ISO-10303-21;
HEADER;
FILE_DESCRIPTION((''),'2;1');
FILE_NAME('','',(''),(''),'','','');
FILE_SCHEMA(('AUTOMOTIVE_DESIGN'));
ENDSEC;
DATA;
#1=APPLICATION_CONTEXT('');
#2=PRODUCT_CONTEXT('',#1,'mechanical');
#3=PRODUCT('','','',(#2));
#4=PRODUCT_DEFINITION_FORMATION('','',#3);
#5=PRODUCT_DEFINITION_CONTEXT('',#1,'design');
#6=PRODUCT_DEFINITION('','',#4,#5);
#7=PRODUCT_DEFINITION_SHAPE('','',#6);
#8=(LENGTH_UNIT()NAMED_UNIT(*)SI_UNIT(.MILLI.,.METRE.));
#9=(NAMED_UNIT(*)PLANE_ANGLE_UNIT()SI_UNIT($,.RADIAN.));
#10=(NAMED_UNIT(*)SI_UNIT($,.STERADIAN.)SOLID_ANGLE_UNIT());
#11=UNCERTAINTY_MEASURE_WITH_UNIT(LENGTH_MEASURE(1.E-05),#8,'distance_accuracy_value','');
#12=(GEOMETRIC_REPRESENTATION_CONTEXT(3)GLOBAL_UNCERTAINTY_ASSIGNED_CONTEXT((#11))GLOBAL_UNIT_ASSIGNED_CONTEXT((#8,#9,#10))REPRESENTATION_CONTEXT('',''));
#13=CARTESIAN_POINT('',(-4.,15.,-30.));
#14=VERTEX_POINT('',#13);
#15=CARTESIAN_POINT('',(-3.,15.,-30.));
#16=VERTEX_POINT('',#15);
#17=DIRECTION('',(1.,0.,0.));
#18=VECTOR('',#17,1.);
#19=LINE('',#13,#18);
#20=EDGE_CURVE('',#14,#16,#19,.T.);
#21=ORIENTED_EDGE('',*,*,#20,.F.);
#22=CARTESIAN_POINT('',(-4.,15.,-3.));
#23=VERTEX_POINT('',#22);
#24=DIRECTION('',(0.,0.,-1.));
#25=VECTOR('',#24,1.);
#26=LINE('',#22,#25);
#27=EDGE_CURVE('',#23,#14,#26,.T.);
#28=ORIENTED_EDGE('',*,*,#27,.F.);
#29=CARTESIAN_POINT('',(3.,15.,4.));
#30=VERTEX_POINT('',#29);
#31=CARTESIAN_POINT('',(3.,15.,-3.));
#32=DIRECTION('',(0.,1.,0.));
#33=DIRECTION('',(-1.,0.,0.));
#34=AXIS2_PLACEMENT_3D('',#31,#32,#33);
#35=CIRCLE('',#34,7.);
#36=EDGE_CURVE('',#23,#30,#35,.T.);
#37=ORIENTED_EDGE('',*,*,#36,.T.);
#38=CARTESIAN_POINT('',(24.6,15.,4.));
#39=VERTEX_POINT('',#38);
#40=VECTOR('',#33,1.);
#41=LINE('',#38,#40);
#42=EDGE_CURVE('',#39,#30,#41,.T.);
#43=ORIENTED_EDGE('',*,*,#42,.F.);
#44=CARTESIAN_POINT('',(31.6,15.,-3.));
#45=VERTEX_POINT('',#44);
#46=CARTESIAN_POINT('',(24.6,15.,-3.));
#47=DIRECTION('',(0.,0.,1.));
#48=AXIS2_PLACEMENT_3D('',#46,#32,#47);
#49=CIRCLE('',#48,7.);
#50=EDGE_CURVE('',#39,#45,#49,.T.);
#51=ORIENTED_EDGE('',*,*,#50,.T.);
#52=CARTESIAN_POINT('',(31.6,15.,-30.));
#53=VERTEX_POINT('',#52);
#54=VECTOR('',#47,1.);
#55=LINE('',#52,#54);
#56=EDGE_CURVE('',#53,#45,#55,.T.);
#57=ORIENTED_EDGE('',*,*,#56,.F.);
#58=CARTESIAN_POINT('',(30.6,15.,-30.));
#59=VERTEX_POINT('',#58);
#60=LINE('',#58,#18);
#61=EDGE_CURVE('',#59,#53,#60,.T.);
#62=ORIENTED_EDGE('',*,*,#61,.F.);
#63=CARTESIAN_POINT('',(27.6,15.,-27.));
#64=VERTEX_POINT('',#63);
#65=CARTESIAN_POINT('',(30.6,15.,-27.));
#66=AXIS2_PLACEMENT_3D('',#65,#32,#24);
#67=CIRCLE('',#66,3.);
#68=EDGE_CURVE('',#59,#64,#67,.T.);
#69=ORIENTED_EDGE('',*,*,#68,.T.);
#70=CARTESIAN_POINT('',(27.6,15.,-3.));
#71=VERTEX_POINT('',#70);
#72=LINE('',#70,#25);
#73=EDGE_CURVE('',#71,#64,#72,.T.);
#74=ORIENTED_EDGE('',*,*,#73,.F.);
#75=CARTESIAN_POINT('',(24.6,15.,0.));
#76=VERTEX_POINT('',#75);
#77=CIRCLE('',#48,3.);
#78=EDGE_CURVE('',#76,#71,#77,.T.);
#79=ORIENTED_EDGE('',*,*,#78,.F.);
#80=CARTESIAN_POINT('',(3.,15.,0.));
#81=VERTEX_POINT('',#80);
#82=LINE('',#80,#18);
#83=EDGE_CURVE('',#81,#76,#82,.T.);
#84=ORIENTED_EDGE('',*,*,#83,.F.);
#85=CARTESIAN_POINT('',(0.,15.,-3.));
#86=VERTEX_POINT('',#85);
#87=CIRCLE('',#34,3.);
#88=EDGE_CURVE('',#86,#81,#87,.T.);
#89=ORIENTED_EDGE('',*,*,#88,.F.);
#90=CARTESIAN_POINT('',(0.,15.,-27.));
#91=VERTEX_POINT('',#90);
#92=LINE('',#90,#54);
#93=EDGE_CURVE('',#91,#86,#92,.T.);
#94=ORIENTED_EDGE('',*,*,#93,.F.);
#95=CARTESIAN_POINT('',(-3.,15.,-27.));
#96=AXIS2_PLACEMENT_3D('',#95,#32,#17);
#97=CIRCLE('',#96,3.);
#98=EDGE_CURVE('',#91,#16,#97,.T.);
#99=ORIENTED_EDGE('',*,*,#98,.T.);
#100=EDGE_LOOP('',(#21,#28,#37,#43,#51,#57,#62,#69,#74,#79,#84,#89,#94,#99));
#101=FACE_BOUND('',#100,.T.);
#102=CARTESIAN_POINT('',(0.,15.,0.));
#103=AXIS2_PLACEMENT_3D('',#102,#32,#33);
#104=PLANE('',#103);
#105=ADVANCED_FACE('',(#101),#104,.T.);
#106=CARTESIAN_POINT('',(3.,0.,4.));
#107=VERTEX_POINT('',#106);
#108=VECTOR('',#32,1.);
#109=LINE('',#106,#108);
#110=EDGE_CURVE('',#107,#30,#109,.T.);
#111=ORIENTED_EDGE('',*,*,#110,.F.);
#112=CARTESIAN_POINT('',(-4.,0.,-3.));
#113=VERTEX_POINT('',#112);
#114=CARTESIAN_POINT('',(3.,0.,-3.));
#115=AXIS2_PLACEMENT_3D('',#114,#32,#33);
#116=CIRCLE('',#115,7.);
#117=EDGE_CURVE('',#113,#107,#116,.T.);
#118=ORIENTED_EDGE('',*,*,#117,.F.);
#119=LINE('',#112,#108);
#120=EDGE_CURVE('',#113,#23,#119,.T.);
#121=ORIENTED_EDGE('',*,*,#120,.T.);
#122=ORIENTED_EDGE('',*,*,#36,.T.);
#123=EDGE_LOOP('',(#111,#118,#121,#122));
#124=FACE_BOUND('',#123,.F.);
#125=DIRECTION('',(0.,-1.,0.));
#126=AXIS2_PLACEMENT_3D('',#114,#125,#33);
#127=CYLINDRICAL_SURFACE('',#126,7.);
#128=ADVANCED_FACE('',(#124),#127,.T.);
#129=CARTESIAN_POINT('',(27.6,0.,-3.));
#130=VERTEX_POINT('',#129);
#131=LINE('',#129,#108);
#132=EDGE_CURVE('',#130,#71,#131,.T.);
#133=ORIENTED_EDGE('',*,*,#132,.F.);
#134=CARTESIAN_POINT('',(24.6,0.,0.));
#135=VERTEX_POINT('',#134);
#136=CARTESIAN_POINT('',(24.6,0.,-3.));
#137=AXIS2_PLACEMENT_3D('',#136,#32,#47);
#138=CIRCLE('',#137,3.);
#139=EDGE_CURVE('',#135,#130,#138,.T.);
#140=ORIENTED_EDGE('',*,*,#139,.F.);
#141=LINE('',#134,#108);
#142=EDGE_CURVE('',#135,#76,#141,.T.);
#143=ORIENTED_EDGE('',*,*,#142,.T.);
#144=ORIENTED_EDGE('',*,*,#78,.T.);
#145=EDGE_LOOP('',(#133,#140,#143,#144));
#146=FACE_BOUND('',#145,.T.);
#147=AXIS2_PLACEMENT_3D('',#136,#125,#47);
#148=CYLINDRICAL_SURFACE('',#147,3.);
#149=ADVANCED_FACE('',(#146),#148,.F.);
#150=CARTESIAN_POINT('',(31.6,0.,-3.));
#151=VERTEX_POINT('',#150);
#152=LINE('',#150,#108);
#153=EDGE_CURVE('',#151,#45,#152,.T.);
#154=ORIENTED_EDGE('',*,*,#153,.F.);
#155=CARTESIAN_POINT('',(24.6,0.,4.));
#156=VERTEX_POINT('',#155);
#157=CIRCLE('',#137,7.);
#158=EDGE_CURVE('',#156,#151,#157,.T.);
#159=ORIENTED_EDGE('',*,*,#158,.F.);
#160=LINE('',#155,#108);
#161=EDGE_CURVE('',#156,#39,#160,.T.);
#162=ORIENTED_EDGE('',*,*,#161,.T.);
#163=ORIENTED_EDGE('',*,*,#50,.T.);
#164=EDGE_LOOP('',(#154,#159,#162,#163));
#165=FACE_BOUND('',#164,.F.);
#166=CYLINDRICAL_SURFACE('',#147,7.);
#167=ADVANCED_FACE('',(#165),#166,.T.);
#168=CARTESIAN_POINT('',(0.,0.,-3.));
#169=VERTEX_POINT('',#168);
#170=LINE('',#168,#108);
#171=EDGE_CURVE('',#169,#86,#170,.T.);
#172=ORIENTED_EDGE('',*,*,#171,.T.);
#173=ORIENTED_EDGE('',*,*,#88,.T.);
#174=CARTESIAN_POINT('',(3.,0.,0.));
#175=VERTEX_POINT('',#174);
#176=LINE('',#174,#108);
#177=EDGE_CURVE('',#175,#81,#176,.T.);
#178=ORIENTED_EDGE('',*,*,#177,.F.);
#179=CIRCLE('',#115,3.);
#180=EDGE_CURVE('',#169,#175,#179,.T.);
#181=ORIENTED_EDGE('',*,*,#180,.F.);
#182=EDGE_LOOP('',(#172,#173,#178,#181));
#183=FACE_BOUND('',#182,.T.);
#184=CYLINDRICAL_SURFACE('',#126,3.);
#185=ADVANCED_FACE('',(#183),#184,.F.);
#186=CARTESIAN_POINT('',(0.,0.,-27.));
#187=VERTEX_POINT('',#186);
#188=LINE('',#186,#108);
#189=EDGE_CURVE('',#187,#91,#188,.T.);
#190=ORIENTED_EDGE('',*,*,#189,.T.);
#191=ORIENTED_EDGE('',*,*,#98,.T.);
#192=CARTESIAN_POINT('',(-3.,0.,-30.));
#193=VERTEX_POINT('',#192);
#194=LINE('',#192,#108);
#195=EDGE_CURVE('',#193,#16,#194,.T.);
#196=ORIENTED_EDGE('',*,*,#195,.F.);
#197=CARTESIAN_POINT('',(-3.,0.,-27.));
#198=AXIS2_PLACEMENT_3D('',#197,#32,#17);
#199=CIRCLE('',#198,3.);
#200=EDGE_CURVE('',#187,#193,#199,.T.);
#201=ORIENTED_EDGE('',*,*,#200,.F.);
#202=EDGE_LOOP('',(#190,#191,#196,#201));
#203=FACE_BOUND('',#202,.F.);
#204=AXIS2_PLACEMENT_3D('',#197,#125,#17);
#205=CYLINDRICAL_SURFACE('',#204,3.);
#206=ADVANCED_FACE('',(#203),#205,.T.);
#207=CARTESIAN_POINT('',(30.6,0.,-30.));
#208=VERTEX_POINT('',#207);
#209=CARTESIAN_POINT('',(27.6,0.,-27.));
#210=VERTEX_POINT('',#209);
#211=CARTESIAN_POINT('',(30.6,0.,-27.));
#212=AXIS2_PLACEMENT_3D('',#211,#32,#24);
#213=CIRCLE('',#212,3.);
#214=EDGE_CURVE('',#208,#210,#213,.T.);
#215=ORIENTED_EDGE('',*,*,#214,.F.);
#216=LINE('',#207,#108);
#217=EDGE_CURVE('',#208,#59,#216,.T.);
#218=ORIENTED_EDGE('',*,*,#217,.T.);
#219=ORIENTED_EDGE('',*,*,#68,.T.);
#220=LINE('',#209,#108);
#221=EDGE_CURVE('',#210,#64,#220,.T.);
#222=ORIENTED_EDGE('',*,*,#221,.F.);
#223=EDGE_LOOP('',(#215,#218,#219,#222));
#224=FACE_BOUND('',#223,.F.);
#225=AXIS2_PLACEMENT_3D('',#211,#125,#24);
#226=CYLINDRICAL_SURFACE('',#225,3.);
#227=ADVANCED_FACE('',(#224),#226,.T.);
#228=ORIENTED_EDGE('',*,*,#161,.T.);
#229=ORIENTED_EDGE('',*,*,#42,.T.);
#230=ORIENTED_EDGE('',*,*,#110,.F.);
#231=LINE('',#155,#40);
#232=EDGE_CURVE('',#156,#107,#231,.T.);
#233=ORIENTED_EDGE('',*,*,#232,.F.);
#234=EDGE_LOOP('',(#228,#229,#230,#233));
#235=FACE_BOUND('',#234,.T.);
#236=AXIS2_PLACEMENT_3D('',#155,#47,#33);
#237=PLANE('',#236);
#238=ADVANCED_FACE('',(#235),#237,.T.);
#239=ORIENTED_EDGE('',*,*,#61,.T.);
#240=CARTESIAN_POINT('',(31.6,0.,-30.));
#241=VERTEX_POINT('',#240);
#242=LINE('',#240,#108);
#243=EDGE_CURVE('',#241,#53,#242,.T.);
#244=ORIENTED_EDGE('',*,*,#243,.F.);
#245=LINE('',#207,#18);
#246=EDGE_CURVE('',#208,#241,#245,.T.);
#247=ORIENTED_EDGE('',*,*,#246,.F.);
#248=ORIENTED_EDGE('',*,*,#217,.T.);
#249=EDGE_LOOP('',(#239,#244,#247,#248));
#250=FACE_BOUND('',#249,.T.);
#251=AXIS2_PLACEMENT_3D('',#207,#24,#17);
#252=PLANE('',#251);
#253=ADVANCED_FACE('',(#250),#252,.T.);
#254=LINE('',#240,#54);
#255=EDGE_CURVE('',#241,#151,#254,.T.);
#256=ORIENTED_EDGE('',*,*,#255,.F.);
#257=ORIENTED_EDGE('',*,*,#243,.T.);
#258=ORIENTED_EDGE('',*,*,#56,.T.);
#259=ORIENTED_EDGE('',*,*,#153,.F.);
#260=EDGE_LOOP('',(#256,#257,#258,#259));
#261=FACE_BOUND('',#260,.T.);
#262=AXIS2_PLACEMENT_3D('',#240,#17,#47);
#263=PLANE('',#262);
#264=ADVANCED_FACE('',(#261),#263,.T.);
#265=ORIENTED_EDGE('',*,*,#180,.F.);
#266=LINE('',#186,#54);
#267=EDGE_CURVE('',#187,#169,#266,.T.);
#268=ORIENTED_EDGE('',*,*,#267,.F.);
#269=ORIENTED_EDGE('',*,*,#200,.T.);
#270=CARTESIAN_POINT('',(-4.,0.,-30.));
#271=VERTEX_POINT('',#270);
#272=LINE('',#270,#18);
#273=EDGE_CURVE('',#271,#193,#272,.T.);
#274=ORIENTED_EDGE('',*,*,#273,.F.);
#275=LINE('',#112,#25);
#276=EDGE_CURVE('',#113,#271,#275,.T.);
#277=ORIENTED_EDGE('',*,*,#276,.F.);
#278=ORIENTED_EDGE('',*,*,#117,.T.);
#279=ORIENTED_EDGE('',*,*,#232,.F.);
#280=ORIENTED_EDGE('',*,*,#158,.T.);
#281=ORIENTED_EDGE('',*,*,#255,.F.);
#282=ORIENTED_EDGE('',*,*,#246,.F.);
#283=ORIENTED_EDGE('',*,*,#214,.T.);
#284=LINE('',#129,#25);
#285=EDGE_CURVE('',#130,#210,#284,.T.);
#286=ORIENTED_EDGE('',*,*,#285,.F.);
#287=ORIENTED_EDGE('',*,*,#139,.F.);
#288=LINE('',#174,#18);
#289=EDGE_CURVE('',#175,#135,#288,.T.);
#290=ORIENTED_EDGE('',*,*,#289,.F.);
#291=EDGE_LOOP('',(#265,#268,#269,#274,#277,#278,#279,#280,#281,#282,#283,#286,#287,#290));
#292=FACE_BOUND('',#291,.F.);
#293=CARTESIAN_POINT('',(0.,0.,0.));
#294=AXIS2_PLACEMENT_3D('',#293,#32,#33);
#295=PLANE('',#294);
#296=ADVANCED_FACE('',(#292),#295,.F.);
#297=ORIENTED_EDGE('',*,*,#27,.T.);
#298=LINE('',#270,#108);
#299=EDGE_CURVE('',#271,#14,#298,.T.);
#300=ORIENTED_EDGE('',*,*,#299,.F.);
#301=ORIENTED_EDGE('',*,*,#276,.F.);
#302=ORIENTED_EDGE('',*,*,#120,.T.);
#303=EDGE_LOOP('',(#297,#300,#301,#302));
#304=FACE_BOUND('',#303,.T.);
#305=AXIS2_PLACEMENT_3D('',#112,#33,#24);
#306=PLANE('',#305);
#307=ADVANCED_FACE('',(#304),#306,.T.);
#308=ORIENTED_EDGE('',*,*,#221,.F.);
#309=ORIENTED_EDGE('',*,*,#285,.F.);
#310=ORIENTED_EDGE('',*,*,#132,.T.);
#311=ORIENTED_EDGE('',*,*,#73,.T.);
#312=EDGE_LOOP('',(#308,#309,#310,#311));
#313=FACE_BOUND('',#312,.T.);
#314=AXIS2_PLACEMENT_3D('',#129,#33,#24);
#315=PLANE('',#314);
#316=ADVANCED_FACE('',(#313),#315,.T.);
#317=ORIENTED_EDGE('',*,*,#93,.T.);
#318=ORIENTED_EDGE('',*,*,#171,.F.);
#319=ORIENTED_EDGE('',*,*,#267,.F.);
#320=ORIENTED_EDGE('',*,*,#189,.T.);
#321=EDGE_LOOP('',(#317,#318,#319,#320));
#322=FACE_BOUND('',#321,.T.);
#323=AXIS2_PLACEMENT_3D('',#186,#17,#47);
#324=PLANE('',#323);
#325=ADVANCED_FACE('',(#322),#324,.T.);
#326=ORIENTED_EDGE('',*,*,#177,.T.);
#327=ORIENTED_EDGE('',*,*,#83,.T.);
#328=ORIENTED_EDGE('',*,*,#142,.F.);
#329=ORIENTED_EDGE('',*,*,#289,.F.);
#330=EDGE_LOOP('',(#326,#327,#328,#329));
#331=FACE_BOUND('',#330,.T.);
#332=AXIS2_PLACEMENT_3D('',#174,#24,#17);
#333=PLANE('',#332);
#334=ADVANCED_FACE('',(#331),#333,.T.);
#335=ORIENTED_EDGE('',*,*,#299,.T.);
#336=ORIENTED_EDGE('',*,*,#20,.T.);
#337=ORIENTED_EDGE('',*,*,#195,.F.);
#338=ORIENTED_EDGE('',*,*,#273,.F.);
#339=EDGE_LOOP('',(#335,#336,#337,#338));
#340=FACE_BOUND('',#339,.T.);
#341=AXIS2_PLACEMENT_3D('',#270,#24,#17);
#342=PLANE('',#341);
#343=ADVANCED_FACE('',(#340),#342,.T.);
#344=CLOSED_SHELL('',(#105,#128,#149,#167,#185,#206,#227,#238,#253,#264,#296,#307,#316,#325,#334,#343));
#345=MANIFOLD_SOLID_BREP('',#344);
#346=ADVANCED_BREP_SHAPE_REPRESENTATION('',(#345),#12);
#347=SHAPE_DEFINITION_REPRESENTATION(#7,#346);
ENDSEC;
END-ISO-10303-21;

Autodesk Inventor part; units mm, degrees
ref_plane "YZ Plane" through (0, 0, 0) normal (1, 0, 0) x (0, 1, 0)
ref_plane "XZ Plane" through (0, 0, 0) normal (0, 1, 0) x (-1, 0, 0)
ref_plane "XY Plane" through (0, 0, 0) normal (0, 0, 1) x (1, 0, 0)
sketch "Boceto1" plane through (0, 0, 0) normal (0, 1, 0) x (-1, 0, 0)
  line L0 (-3, 0) -> (-24.6, 0)
  line L1 (-27.6, -3) -> (-27.6, -27)
  line L2 (-30.6, -30) -> (-31.6, -30)
  line L3 (-31.6, -30) -> (-31.6, -3)
  line L4 (-24.6, 4) -> (-3, 4)
  line L5 (4, -3) -> (4, -30)
  line L6 (4, -30) -> (3, -30)
  line L7 (0, -27) -> (0, -3)
  arc A0 (0, -3) -> (-3, 0) centre (-3, -3) ccw
  arc A1 (-24.6, 0) -> (-27.6, -3) centre (-24.6, -3) ccw
  arc A2 (-30.6, -30) -> (-27.6, -27) centre (-30.6, -27) ccw
  arc A3 (0, -27) -> (3, -30) centre (3, -27) ccw
  arc A4 (4, -3) -> (-3, 4) centre (-3, -3) ccw
  arc A5 (-24.6, 4) -> (-31.6, -3) centre (-24.6, -3) ccw
  point P0 (0, 0)
  point P1 (-27.6, 0)
  point P2 (-27.6, -30)
  point P3 (-31.6, 4)
  point P4 (4, 4)
  point P5 (0, -30)
  dimension "d0" = 27.6
  dimension "d1" = 30
  dimension "d2" = 4
  dimension "d3" = 34
  dimension "d4" = 35.6
  dimension "d5" = 3
  dimension "d6" = 3
  dimension "d7" = 7
extrude "Extrusión1" add sketch "Boceto1" along normal blind 15
properties part number "PinzaEscritorio"
